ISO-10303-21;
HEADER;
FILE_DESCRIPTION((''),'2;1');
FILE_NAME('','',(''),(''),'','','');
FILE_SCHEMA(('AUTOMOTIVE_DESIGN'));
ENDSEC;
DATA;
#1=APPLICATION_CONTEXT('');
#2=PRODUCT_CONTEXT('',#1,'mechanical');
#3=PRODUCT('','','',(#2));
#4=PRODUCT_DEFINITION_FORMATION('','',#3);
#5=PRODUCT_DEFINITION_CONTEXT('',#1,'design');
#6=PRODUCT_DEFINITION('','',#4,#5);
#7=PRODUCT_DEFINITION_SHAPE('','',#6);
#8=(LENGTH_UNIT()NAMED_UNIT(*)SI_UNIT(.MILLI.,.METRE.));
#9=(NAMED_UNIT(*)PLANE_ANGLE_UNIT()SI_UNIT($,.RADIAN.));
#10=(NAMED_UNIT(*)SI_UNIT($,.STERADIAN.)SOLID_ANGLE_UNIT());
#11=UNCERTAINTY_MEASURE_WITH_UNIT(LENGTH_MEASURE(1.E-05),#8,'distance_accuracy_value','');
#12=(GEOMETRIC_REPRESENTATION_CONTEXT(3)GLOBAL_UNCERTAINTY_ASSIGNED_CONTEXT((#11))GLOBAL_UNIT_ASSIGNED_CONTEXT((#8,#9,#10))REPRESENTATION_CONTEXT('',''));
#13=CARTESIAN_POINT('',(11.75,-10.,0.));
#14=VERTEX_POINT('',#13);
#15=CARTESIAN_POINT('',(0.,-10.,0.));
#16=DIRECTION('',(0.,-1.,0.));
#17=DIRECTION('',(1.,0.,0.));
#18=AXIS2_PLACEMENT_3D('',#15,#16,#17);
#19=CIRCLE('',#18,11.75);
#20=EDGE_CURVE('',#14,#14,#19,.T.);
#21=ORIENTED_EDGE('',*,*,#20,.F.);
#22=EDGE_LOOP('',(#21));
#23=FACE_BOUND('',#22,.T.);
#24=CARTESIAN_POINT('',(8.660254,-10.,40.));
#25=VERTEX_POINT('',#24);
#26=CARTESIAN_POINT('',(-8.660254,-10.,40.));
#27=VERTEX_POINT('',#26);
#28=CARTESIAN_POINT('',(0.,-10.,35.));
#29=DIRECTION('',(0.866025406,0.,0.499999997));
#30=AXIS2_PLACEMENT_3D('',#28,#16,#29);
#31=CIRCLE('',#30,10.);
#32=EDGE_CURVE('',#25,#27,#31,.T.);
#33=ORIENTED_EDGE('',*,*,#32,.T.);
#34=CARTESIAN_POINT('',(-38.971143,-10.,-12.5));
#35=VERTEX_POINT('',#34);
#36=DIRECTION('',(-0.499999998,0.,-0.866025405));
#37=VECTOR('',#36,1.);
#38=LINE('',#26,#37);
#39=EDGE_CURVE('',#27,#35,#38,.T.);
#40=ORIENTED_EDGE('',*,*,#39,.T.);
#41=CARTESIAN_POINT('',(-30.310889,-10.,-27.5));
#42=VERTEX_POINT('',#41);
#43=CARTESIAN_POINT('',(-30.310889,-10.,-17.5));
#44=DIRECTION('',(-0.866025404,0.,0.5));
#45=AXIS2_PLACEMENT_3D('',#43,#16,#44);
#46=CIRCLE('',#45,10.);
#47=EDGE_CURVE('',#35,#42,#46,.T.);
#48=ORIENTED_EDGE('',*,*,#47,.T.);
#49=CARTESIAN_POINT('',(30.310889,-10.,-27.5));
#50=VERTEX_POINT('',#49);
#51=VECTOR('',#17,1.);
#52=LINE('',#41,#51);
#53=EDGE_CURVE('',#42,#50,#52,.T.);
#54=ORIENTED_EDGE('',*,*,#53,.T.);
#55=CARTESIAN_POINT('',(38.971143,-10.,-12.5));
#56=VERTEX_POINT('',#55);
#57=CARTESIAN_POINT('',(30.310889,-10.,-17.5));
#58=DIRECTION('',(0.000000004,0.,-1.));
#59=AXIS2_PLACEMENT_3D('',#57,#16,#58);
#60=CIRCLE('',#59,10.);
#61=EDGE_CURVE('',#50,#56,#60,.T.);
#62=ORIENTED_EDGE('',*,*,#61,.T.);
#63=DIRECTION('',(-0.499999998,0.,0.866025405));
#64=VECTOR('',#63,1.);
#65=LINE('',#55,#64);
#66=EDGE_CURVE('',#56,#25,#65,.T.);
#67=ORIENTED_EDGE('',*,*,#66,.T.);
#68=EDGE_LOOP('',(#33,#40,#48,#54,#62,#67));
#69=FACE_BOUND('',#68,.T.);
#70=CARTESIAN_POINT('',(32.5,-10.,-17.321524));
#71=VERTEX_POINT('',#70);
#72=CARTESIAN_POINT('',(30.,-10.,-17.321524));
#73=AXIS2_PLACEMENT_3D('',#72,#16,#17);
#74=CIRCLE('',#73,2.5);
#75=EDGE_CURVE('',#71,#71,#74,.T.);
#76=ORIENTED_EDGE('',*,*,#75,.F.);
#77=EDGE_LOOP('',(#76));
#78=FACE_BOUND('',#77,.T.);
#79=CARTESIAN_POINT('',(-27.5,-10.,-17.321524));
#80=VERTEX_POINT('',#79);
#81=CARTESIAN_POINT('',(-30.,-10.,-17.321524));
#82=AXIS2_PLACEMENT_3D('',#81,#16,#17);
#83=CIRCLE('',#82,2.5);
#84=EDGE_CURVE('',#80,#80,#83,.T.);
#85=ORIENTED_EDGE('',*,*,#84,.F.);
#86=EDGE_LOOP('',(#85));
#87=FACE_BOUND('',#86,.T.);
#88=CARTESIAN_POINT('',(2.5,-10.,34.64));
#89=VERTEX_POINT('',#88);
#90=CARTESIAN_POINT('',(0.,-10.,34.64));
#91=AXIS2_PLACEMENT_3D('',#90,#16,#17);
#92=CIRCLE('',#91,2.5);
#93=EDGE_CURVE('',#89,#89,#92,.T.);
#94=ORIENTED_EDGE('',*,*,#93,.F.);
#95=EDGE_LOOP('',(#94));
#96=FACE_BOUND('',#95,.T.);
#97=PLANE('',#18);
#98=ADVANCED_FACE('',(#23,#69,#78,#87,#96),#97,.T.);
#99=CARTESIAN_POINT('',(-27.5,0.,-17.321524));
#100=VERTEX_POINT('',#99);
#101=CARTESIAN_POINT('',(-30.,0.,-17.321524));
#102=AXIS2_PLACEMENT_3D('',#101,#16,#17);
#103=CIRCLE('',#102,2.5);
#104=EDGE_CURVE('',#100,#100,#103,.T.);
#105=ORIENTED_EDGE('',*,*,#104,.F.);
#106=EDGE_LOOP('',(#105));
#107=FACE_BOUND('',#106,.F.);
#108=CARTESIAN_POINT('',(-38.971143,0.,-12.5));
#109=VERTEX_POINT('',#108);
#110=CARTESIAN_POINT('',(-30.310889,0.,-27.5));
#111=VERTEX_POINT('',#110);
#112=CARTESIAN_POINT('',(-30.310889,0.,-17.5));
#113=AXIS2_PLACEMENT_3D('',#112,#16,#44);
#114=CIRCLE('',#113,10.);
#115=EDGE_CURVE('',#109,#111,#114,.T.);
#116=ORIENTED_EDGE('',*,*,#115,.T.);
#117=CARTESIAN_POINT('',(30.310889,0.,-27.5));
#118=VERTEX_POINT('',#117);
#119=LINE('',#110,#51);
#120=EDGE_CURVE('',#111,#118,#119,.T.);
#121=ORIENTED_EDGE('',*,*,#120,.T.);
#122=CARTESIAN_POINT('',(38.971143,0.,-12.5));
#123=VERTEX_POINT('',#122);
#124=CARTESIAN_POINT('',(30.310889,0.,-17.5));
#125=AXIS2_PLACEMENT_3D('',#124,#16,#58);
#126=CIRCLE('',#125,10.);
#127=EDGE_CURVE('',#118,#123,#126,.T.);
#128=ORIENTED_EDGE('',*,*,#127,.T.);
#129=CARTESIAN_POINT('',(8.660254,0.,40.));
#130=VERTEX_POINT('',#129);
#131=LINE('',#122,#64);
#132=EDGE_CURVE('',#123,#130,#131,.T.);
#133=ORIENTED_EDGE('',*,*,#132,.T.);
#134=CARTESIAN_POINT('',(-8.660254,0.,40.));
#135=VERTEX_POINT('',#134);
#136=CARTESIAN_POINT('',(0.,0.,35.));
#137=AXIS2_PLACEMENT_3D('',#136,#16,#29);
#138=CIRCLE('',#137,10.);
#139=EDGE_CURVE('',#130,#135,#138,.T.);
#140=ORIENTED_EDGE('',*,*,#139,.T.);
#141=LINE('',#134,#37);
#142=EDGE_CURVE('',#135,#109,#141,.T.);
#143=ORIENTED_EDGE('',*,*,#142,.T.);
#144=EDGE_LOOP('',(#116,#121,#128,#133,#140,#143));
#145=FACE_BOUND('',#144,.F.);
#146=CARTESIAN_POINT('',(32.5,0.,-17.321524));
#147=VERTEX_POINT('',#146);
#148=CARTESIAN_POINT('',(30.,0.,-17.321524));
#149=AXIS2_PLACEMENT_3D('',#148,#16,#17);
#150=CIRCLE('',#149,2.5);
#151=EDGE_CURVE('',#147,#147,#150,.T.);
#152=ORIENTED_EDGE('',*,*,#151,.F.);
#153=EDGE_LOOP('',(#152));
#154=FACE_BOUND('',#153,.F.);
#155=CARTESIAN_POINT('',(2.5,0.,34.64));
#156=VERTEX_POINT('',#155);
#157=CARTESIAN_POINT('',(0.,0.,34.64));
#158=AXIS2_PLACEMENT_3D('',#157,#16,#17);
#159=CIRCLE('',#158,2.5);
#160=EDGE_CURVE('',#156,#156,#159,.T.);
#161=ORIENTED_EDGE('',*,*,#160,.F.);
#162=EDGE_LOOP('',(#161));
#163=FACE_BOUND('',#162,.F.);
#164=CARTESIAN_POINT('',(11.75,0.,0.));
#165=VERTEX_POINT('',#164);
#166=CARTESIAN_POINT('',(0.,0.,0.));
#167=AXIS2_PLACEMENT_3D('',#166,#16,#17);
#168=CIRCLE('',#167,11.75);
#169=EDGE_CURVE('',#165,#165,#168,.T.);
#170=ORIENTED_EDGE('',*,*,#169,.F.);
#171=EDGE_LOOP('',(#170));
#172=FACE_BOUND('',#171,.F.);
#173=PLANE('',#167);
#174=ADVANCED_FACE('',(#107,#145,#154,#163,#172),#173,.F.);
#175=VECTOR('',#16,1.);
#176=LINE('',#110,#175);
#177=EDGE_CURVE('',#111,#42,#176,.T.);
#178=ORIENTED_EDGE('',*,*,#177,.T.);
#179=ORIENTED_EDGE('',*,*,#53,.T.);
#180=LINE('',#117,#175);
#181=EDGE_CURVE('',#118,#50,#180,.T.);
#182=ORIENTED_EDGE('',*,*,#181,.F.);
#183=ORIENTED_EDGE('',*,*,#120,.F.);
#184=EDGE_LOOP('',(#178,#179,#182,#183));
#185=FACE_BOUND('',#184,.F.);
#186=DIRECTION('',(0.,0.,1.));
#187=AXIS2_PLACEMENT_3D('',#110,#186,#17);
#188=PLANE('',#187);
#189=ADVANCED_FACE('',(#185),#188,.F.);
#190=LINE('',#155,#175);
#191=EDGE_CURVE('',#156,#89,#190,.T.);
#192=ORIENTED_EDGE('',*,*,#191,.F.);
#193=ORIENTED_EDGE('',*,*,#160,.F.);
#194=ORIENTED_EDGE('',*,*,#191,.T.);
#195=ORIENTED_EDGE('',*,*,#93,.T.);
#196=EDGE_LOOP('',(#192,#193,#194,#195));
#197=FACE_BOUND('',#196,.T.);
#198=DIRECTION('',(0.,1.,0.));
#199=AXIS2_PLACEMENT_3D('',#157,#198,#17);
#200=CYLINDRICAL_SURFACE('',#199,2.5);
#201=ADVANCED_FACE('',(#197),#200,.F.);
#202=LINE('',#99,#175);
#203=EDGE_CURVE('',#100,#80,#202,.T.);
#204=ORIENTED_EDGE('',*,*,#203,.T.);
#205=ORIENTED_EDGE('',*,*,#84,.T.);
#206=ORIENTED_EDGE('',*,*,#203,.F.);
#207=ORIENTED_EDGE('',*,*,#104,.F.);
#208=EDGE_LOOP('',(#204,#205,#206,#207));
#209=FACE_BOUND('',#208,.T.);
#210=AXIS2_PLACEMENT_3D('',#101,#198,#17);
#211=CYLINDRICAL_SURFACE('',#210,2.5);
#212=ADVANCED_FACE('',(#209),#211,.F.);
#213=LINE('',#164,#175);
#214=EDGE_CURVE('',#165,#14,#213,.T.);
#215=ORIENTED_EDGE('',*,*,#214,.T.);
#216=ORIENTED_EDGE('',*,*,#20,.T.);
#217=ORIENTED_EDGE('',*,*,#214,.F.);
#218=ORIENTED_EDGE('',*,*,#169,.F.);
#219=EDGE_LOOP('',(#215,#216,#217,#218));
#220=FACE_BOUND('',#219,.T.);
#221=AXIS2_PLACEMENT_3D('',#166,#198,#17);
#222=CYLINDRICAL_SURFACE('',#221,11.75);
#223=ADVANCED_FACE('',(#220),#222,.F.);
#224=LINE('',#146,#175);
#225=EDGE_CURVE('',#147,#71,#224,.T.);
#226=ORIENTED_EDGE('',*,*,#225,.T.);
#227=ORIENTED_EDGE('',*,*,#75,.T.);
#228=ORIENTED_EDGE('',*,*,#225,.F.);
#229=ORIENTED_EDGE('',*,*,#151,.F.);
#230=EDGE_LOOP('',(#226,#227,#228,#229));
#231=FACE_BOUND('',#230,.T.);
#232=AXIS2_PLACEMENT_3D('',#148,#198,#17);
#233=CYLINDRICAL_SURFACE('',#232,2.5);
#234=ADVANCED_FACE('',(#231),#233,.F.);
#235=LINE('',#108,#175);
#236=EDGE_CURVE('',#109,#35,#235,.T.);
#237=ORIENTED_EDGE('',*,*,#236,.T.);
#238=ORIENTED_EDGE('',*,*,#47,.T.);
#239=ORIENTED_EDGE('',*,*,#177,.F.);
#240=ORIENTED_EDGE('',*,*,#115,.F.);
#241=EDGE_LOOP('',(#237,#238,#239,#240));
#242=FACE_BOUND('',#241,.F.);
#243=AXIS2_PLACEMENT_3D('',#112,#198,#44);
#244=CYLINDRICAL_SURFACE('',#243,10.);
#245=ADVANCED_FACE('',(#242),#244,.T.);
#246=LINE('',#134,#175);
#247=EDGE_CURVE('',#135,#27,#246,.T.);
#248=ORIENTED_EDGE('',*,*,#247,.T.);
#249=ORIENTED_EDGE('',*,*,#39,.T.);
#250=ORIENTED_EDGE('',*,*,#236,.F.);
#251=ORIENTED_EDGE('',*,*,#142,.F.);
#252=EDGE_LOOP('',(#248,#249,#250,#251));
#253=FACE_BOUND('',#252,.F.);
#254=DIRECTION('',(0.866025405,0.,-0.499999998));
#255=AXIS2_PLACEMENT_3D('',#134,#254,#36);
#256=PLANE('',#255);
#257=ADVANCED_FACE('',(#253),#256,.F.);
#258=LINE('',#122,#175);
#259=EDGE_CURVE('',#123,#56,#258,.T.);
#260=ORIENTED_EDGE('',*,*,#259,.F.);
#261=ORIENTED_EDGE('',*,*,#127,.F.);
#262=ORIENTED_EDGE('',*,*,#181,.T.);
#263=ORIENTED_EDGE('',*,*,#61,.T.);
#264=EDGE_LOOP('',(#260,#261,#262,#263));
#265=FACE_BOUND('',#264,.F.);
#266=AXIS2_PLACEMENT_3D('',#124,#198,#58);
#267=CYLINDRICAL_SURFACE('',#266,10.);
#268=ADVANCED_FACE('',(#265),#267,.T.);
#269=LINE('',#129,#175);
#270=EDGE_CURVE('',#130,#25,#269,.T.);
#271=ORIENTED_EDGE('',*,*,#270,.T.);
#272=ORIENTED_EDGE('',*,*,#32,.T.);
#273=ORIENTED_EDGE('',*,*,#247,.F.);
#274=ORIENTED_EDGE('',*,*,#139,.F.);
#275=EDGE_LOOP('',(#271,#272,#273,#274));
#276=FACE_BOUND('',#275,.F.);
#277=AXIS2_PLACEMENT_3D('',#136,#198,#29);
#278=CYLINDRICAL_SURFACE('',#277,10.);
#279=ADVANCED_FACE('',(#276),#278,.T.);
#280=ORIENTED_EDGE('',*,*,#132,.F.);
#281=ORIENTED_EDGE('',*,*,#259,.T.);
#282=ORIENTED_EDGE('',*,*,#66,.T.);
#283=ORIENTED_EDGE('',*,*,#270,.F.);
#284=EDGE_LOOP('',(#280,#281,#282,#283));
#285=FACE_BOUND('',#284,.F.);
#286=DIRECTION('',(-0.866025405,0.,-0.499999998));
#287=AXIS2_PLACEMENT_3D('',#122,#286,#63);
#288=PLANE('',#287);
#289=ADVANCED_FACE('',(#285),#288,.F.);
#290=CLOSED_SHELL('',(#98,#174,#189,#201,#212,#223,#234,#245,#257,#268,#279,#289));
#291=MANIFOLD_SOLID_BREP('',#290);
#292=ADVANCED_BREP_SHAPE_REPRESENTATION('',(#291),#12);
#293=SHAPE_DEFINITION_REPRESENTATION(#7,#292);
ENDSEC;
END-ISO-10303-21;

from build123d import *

# Parameters (mm, degrees)
F0_R     = 2.5
F0_R_2   = 11.75
F1_DEPTH = 10


with BuildPart() as f1:
    # F0 (on Front) → F1 (new body)
    with BuildSketch(Plane.XZ):
        with BuildLine():
            Line((-30.310889, -27.5), (30.310889, -27.5))
            ThreePointArc((30.310889, -27.5), (38.971143, -22.5), (38.971143, -12.5))
            Line((38.971143, -12.5), (8.660254, 40))
            ThreePointArc((8.660254, 40), (0, 45), (-8.660254, 40))
            Line((-8.660254, 40), (-38.971143, -12.5))
            ThreePointArc((-38.971143, -12.5), (-38.971143, -22.5), (-30.310889, -27.5))
        make_face()
        with Locations((-30, -17.321524)):
            Circle(F0_R, mode=Mode.SUBTRACT)
        with Locations((30, -17.321524)):
            Circle(F0_R, mode=Mode.SUBTRACT)
        Circle(F0_R_2, mode=Mode.SUBTRACT)
        with Locations((0, 34.64)):
            Circle(F0_R, mode=Mode.SUBTRACT)
    extrude(amount=F1_DEPTH)


solid = f1.part
